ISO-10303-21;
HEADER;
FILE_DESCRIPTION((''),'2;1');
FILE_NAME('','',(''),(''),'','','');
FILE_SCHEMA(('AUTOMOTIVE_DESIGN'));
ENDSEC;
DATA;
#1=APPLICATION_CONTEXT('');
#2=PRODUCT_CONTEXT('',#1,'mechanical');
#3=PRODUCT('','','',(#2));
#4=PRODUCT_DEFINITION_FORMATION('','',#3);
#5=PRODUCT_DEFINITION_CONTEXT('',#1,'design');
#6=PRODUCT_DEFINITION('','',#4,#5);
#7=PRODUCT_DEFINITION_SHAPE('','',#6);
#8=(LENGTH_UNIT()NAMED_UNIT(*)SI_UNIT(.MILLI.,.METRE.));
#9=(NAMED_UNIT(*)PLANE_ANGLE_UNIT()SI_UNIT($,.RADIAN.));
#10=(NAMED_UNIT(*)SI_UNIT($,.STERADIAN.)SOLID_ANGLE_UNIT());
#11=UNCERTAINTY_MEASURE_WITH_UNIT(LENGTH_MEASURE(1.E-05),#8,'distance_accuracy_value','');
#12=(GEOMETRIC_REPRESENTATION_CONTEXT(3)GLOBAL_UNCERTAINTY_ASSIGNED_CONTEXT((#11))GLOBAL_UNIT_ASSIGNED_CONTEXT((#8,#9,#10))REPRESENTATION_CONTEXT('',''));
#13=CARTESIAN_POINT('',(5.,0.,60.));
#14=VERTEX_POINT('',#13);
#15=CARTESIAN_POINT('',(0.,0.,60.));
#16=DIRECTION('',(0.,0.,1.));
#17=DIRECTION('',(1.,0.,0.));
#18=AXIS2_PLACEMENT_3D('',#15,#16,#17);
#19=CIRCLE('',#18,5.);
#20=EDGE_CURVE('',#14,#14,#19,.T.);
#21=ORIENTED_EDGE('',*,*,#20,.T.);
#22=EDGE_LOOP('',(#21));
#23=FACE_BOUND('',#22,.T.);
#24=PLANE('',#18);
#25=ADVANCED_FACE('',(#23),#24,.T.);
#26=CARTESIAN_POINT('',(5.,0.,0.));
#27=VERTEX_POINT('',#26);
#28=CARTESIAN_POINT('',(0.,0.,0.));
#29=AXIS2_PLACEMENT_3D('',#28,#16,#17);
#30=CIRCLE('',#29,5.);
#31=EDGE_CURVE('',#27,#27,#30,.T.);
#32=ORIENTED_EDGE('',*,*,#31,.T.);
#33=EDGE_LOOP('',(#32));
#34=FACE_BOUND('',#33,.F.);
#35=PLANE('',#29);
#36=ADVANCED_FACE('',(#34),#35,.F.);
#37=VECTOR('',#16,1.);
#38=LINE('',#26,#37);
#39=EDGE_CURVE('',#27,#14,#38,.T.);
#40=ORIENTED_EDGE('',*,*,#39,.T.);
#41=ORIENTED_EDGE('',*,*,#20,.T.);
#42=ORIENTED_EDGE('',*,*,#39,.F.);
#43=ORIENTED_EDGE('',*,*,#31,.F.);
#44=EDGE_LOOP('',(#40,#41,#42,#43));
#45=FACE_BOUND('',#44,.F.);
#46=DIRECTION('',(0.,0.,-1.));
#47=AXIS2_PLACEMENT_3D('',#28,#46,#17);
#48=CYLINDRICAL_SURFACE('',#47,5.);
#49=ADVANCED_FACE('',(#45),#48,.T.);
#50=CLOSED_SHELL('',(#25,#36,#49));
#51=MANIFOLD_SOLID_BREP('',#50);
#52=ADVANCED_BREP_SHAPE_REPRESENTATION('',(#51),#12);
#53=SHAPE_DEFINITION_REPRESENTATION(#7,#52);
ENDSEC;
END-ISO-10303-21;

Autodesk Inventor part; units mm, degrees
ref_plane "YZ Plane" through (0, 0, 0) normal (1, 0, 0) x (0, 1, 0)
ref_plane "XZ Plane" through (0, 0, 0) normal (0, 1, 0) x (-1, 0, 0)
ref_plane "XY Plane" through (0, 0, 0) normal (0, 0, 1) x (1, 0, 0)
sketch "Sketch1" plane through (0, 0, 0) normal (0, 0, 1) x (1, 0, 0)
  circle A0 centre (0, 0) radius 5
  dimension "d2" = 10
extrude "Extrusion1" add sketch "Sketch1" along normal blind 60
